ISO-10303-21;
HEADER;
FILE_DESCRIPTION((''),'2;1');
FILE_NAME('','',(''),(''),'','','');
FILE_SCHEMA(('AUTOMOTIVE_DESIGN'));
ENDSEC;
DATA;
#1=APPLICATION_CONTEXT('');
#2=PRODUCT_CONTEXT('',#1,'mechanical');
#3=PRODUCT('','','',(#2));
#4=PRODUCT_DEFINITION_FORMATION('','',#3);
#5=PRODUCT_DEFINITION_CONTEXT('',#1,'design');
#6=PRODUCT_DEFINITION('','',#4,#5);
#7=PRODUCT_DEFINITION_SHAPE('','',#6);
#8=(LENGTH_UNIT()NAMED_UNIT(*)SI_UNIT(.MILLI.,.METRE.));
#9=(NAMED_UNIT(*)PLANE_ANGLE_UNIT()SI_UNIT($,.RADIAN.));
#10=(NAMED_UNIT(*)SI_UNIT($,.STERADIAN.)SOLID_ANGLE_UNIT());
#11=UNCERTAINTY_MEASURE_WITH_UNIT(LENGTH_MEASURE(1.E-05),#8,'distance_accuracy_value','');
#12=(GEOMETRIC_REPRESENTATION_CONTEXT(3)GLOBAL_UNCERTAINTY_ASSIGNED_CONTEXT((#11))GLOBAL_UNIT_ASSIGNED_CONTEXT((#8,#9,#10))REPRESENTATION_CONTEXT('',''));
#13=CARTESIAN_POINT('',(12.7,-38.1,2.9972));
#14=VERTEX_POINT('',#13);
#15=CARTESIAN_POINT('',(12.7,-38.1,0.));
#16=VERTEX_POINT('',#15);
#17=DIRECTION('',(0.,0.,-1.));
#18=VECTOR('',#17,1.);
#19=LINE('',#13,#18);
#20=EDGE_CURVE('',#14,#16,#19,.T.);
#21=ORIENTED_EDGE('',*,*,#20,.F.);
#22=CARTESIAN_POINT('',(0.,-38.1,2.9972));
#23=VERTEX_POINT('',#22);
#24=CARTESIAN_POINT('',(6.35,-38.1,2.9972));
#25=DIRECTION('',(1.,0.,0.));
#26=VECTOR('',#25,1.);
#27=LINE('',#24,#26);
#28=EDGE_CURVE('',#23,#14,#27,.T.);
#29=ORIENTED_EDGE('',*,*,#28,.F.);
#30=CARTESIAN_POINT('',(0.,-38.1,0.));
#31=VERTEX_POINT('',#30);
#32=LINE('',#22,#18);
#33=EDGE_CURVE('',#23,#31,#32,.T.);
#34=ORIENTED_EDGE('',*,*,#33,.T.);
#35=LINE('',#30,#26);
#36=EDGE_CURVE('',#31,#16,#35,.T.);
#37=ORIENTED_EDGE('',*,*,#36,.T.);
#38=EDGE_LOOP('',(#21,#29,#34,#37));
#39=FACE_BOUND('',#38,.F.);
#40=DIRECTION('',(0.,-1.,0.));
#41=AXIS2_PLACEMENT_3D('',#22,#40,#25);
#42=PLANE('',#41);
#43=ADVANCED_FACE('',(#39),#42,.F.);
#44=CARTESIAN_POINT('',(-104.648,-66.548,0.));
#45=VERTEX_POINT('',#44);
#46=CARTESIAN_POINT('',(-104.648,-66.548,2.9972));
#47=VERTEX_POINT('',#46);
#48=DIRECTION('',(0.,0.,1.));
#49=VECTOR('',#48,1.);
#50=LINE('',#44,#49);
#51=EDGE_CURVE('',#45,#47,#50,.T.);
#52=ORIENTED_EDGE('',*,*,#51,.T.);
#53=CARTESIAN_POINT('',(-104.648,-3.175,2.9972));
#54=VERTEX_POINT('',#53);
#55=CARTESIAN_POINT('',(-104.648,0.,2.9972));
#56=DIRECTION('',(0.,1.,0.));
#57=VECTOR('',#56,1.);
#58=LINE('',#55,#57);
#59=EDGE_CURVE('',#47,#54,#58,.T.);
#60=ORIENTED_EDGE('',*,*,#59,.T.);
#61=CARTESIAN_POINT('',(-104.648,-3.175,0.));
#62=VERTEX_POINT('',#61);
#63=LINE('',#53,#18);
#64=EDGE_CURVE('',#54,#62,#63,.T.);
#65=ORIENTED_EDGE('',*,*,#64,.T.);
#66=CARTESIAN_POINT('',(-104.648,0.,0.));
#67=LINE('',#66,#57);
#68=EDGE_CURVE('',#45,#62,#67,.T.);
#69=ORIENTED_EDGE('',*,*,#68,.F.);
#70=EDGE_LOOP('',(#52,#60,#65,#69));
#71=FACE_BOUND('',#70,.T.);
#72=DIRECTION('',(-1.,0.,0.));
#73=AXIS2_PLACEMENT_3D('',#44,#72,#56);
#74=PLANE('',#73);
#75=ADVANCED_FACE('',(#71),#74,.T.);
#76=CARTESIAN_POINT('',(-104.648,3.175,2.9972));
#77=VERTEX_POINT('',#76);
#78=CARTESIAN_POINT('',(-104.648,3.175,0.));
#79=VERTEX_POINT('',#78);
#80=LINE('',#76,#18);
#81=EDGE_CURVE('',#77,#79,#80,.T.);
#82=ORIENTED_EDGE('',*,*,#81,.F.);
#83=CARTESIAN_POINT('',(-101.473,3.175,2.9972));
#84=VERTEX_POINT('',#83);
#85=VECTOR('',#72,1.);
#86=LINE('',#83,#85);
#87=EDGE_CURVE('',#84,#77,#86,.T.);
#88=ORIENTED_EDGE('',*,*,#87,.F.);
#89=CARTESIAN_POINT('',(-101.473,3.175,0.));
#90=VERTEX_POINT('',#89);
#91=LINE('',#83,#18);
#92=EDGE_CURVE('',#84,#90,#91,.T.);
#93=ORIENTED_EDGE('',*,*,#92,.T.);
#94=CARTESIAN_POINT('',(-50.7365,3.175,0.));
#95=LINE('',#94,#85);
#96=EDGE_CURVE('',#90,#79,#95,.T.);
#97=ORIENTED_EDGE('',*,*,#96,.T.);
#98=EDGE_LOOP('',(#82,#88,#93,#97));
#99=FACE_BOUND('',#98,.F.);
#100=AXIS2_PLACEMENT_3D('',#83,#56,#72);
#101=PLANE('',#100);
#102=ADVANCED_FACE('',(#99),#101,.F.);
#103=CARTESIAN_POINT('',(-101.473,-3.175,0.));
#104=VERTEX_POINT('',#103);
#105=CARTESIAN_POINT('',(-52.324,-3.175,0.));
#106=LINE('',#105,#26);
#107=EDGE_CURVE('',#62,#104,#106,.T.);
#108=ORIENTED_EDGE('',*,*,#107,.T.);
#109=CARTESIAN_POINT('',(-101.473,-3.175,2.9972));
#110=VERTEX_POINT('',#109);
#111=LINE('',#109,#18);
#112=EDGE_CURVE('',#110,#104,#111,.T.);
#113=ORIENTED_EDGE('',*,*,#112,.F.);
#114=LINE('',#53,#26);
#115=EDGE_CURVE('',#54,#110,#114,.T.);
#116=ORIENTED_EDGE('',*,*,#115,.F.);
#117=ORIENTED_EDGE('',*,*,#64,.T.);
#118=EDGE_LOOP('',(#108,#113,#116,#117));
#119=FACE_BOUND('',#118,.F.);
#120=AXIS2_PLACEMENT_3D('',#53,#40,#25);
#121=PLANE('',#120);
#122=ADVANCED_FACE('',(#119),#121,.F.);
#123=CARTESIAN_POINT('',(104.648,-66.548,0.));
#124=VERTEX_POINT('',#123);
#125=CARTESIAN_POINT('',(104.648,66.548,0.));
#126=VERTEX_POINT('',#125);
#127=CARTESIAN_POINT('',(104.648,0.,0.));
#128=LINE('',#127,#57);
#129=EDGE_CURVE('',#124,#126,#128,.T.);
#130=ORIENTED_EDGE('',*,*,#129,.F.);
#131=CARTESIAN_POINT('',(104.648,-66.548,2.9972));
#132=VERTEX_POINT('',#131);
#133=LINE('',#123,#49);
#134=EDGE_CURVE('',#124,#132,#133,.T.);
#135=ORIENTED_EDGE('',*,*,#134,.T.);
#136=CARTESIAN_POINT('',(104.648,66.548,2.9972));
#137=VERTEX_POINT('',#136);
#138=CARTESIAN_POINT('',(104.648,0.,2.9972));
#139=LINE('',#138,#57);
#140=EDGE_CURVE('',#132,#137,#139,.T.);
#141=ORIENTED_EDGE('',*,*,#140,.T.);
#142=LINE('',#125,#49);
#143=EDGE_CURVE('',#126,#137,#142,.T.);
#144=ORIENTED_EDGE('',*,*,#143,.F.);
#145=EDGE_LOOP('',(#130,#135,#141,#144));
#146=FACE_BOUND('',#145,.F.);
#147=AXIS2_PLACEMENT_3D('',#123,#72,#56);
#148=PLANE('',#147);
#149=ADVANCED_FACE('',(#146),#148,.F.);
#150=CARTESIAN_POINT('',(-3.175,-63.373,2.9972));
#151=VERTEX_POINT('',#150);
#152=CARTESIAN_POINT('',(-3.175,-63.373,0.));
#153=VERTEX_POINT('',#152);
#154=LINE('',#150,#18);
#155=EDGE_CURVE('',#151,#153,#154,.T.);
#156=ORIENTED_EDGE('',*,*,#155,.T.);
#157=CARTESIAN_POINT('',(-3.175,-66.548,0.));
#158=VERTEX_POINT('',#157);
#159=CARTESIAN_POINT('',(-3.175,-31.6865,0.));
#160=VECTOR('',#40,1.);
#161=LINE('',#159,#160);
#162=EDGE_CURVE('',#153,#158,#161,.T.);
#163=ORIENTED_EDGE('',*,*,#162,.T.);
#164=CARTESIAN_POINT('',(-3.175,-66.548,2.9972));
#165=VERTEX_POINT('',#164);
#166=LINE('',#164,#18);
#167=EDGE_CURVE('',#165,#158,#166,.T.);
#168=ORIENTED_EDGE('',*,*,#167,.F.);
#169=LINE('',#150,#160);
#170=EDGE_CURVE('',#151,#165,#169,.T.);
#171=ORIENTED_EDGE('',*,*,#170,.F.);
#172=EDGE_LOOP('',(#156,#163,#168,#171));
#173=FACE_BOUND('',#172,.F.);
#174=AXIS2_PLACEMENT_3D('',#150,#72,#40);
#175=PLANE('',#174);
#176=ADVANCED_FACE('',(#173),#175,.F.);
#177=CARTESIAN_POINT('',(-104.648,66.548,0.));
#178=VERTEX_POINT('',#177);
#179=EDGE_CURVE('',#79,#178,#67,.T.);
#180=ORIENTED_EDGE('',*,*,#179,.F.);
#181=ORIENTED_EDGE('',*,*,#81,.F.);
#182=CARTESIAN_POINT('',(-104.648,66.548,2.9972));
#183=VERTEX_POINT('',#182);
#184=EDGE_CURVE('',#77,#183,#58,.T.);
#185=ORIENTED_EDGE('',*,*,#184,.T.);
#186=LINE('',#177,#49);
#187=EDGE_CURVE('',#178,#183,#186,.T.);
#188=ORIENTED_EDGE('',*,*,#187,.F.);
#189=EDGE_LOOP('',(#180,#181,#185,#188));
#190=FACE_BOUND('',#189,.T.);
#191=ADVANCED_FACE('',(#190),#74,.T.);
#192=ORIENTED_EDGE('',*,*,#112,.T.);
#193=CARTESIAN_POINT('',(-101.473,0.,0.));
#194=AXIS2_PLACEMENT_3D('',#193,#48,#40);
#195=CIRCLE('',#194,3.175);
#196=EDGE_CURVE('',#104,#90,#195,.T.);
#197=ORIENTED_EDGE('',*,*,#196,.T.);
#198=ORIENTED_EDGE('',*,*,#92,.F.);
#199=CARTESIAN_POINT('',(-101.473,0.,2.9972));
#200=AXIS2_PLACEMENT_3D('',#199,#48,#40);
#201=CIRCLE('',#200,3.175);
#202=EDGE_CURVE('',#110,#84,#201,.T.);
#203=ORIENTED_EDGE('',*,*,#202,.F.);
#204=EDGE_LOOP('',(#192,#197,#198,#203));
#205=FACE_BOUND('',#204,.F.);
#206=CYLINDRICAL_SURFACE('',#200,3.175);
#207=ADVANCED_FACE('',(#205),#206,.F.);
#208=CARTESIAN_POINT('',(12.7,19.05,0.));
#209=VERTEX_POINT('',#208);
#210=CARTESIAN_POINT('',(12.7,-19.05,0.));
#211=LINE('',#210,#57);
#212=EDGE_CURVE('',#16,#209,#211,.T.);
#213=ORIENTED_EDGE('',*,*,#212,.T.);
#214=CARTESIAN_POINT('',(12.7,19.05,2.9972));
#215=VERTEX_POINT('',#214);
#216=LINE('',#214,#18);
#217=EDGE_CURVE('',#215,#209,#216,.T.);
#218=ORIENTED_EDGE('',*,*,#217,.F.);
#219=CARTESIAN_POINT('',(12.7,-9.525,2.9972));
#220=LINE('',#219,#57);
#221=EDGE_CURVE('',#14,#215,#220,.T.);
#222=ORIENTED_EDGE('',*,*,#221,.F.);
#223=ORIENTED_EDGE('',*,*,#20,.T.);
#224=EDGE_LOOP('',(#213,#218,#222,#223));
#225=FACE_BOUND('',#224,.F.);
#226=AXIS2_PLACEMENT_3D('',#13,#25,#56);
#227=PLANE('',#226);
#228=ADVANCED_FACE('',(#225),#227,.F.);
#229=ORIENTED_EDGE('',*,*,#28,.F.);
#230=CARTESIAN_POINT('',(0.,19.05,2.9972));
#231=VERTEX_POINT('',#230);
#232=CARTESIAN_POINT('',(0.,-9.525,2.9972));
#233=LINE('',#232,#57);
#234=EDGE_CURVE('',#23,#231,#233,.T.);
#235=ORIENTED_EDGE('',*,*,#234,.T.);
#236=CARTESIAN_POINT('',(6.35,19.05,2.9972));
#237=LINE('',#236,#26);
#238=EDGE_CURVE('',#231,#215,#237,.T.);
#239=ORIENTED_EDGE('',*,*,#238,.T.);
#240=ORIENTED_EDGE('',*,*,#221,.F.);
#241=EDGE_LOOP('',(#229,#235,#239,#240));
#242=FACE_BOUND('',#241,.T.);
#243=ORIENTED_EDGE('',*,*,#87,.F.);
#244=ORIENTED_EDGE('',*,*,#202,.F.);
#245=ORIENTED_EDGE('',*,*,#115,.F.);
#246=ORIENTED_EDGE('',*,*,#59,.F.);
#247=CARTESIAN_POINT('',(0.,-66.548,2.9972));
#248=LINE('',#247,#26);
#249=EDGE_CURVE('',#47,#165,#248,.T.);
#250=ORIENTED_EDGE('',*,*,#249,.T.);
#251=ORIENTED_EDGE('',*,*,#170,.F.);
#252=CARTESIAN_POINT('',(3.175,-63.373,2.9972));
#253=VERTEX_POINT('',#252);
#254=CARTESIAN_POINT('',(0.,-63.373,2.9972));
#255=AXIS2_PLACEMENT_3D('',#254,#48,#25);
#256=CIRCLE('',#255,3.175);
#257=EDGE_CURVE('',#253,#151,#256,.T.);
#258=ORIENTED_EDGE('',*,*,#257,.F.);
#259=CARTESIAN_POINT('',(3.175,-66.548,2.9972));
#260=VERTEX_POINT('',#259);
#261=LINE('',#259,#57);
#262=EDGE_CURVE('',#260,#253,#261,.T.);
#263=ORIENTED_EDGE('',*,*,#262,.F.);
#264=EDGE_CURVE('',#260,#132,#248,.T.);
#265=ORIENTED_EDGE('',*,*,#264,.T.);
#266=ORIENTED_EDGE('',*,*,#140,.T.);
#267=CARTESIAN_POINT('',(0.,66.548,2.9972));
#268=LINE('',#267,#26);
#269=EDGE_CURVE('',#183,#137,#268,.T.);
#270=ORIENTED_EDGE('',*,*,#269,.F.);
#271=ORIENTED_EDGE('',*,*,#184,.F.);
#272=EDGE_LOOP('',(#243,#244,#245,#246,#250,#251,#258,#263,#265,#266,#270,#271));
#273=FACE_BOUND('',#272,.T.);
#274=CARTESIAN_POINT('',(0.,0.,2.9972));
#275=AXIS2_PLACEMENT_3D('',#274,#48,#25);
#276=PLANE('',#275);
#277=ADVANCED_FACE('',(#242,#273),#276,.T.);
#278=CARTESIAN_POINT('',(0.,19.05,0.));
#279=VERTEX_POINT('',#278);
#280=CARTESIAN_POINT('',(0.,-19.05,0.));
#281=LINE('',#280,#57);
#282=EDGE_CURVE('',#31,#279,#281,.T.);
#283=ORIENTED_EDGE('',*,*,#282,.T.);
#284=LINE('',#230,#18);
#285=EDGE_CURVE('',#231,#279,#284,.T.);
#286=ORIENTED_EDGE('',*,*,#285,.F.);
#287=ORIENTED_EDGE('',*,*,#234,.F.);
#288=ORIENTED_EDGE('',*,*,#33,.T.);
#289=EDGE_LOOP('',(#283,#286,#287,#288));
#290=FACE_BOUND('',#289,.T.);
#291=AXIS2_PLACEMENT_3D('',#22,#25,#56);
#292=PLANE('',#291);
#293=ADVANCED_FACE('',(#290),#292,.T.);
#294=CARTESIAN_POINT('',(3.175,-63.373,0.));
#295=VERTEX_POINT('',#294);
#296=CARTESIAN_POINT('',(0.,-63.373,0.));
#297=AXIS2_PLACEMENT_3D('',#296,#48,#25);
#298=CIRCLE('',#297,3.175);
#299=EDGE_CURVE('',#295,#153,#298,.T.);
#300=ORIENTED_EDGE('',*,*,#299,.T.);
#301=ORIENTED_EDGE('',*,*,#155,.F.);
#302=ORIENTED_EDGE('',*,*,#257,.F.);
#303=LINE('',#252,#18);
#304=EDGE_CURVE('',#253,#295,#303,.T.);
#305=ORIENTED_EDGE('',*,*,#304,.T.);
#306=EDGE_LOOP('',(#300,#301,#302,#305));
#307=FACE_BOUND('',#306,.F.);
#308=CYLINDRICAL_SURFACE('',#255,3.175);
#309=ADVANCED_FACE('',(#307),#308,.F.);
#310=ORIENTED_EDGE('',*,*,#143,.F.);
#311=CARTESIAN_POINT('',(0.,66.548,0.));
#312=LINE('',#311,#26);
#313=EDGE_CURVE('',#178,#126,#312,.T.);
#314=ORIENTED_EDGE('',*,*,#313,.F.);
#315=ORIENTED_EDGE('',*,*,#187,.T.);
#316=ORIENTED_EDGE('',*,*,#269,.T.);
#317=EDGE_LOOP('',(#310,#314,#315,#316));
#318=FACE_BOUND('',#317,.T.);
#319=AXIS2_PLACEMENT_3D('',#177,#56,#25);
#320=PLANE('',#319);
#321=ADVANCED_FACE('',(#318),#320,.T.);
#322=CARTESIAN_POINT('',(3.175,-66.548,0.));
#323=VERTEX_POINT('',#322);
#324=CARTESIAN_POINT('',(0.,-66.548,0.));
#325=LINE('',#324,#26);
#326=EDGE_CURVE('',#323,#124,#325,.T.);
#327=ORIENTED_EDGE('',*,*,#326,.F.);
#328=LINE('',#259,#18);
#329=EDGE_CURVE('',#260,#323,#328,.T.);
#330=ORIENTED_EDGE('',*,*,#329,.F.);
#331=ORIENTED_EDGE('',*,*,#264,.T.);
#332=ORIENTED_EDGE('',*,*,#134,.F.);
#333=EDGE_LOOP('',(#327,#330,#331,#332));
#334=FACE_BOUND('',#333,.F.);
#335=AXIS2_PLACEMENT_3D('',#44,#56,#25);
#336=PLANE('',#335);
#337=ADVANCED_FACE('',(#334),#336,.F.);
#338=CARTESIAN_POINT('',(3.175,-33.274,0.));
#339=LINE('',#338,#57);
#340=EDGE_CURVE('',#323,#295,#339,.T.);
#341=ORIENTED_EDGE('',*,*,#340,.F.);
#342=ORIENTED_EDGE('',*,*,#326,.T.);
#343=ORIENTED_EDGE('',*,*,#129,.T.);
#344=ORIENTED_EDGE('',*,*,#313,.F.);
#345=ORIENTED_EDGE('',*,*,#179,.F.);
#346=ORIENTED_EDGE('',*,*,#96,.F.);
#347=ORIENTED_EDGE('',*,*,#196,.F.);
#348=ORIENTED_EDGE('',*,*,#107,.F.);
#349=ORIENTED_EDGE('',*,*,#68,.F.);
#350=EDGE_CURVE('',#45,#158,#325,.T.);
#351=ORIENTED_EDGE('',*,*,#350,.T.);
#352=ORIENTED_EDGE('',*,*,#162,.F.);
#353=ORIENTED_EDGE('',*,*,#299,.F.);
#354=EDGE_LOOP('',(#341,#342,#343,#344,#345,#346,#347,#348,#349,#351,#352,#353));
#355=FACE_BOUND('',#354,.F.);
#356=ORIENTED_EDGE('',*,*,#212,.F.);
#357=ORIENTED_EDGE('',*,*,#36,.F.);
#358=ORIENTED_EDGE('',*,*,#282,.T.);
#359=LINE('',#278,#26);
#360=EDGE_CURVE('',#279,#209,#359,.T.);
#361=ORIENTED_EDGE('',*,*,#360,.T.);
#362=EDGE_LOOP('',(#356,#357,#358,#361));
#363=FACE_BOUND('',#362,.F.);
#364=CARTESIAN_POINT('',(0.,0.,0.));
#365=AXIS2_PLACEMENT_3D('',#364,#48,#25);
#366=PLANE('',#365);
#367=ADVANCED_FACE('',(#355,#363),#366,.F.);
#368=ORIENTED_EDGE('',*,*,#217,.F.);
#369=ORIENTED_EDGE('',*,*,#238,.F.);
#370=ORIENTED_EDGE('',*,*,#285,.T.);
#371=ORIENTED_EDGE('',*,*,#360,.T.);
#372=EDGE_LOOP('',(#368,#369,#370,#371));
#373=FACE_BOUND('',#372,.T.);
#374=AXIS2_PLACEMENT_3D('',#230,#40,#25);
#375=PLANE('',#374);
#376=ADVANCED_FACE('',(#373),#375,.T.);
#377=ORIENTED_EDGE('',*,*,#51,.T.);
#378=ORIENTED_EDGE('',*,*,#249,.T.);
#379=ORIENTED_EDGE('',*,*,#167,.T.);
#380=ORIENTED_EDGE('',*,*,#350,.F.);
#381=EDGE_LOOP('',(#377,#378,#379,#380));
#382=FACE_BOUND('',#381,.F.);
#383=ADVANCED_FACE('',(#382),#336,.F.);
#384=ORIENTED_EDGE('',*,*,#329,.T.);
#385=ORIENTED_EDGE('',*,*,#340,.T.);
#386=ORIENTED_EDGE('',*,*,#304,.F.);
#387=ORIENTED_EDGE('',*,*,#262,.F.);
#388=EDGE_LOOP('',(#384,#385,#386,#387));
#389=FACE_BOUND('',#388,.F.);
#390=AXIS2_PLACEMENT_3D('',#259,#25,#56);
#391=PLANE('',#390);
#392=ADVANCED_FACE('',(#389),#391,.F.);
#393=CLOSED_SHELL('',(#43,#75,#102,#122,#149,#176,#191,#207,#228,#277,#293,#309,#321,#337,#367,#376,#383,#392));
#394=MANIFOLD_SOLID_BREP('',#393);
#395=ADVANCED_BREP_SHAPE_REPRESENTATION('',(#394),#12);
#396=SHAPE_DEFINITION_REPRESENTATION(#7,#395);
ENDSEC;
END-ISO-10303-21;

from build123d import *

# Parameters (mm, degrees)
F0_W     = 209.296
F0_H     = 133.096
F1_DEPTH = 2.9972
F2_W     = 12.7
F2_H     = 57.15
F3_DEPTH = 2.9982


with BuildPart() as f1:
    # F0 (on Top) → F1 (new body)
    with BuildSketch(Plane.XY):
        Rectangle(F0_W, F0_H)
    extrude(amount=F1_DEPTH)

    # F2 (on face) → F3 (cut, through all)
    with BuildSketch(Plane.XY.offset(2.9972)):
        with Locations((6.35, -9.525)):
            Rectangle(F2_W, F2_H)
        with BuildLine():
            ThreePointArc((3.175, -63.373), (0, -60.198), (-3.175, -63.373))
            Line((-3.175, -63.373), (-3.175, -66.548))
            Line((-3.175, -66.548), (3.175, -66.548))
            Line((3.175, -66.548), (3.175, -63.373))
        make_face()
        with BuildLine():
            Line((-101.473, 3.175), (-104.648, 3.175))
            Line((-104.648, 3.175), (-104.648, -3.175))
            Line((-104.648, -3.175), (-101.473, -3.175))
            ThreePointArc((-101.473, -3.175), (-98.298, 0), (-101.473, 3.175))
        make_face()
    extrude(amount=-F3_DEPTH, mode=Mode.SUBTRACT)


solid = f1.part
